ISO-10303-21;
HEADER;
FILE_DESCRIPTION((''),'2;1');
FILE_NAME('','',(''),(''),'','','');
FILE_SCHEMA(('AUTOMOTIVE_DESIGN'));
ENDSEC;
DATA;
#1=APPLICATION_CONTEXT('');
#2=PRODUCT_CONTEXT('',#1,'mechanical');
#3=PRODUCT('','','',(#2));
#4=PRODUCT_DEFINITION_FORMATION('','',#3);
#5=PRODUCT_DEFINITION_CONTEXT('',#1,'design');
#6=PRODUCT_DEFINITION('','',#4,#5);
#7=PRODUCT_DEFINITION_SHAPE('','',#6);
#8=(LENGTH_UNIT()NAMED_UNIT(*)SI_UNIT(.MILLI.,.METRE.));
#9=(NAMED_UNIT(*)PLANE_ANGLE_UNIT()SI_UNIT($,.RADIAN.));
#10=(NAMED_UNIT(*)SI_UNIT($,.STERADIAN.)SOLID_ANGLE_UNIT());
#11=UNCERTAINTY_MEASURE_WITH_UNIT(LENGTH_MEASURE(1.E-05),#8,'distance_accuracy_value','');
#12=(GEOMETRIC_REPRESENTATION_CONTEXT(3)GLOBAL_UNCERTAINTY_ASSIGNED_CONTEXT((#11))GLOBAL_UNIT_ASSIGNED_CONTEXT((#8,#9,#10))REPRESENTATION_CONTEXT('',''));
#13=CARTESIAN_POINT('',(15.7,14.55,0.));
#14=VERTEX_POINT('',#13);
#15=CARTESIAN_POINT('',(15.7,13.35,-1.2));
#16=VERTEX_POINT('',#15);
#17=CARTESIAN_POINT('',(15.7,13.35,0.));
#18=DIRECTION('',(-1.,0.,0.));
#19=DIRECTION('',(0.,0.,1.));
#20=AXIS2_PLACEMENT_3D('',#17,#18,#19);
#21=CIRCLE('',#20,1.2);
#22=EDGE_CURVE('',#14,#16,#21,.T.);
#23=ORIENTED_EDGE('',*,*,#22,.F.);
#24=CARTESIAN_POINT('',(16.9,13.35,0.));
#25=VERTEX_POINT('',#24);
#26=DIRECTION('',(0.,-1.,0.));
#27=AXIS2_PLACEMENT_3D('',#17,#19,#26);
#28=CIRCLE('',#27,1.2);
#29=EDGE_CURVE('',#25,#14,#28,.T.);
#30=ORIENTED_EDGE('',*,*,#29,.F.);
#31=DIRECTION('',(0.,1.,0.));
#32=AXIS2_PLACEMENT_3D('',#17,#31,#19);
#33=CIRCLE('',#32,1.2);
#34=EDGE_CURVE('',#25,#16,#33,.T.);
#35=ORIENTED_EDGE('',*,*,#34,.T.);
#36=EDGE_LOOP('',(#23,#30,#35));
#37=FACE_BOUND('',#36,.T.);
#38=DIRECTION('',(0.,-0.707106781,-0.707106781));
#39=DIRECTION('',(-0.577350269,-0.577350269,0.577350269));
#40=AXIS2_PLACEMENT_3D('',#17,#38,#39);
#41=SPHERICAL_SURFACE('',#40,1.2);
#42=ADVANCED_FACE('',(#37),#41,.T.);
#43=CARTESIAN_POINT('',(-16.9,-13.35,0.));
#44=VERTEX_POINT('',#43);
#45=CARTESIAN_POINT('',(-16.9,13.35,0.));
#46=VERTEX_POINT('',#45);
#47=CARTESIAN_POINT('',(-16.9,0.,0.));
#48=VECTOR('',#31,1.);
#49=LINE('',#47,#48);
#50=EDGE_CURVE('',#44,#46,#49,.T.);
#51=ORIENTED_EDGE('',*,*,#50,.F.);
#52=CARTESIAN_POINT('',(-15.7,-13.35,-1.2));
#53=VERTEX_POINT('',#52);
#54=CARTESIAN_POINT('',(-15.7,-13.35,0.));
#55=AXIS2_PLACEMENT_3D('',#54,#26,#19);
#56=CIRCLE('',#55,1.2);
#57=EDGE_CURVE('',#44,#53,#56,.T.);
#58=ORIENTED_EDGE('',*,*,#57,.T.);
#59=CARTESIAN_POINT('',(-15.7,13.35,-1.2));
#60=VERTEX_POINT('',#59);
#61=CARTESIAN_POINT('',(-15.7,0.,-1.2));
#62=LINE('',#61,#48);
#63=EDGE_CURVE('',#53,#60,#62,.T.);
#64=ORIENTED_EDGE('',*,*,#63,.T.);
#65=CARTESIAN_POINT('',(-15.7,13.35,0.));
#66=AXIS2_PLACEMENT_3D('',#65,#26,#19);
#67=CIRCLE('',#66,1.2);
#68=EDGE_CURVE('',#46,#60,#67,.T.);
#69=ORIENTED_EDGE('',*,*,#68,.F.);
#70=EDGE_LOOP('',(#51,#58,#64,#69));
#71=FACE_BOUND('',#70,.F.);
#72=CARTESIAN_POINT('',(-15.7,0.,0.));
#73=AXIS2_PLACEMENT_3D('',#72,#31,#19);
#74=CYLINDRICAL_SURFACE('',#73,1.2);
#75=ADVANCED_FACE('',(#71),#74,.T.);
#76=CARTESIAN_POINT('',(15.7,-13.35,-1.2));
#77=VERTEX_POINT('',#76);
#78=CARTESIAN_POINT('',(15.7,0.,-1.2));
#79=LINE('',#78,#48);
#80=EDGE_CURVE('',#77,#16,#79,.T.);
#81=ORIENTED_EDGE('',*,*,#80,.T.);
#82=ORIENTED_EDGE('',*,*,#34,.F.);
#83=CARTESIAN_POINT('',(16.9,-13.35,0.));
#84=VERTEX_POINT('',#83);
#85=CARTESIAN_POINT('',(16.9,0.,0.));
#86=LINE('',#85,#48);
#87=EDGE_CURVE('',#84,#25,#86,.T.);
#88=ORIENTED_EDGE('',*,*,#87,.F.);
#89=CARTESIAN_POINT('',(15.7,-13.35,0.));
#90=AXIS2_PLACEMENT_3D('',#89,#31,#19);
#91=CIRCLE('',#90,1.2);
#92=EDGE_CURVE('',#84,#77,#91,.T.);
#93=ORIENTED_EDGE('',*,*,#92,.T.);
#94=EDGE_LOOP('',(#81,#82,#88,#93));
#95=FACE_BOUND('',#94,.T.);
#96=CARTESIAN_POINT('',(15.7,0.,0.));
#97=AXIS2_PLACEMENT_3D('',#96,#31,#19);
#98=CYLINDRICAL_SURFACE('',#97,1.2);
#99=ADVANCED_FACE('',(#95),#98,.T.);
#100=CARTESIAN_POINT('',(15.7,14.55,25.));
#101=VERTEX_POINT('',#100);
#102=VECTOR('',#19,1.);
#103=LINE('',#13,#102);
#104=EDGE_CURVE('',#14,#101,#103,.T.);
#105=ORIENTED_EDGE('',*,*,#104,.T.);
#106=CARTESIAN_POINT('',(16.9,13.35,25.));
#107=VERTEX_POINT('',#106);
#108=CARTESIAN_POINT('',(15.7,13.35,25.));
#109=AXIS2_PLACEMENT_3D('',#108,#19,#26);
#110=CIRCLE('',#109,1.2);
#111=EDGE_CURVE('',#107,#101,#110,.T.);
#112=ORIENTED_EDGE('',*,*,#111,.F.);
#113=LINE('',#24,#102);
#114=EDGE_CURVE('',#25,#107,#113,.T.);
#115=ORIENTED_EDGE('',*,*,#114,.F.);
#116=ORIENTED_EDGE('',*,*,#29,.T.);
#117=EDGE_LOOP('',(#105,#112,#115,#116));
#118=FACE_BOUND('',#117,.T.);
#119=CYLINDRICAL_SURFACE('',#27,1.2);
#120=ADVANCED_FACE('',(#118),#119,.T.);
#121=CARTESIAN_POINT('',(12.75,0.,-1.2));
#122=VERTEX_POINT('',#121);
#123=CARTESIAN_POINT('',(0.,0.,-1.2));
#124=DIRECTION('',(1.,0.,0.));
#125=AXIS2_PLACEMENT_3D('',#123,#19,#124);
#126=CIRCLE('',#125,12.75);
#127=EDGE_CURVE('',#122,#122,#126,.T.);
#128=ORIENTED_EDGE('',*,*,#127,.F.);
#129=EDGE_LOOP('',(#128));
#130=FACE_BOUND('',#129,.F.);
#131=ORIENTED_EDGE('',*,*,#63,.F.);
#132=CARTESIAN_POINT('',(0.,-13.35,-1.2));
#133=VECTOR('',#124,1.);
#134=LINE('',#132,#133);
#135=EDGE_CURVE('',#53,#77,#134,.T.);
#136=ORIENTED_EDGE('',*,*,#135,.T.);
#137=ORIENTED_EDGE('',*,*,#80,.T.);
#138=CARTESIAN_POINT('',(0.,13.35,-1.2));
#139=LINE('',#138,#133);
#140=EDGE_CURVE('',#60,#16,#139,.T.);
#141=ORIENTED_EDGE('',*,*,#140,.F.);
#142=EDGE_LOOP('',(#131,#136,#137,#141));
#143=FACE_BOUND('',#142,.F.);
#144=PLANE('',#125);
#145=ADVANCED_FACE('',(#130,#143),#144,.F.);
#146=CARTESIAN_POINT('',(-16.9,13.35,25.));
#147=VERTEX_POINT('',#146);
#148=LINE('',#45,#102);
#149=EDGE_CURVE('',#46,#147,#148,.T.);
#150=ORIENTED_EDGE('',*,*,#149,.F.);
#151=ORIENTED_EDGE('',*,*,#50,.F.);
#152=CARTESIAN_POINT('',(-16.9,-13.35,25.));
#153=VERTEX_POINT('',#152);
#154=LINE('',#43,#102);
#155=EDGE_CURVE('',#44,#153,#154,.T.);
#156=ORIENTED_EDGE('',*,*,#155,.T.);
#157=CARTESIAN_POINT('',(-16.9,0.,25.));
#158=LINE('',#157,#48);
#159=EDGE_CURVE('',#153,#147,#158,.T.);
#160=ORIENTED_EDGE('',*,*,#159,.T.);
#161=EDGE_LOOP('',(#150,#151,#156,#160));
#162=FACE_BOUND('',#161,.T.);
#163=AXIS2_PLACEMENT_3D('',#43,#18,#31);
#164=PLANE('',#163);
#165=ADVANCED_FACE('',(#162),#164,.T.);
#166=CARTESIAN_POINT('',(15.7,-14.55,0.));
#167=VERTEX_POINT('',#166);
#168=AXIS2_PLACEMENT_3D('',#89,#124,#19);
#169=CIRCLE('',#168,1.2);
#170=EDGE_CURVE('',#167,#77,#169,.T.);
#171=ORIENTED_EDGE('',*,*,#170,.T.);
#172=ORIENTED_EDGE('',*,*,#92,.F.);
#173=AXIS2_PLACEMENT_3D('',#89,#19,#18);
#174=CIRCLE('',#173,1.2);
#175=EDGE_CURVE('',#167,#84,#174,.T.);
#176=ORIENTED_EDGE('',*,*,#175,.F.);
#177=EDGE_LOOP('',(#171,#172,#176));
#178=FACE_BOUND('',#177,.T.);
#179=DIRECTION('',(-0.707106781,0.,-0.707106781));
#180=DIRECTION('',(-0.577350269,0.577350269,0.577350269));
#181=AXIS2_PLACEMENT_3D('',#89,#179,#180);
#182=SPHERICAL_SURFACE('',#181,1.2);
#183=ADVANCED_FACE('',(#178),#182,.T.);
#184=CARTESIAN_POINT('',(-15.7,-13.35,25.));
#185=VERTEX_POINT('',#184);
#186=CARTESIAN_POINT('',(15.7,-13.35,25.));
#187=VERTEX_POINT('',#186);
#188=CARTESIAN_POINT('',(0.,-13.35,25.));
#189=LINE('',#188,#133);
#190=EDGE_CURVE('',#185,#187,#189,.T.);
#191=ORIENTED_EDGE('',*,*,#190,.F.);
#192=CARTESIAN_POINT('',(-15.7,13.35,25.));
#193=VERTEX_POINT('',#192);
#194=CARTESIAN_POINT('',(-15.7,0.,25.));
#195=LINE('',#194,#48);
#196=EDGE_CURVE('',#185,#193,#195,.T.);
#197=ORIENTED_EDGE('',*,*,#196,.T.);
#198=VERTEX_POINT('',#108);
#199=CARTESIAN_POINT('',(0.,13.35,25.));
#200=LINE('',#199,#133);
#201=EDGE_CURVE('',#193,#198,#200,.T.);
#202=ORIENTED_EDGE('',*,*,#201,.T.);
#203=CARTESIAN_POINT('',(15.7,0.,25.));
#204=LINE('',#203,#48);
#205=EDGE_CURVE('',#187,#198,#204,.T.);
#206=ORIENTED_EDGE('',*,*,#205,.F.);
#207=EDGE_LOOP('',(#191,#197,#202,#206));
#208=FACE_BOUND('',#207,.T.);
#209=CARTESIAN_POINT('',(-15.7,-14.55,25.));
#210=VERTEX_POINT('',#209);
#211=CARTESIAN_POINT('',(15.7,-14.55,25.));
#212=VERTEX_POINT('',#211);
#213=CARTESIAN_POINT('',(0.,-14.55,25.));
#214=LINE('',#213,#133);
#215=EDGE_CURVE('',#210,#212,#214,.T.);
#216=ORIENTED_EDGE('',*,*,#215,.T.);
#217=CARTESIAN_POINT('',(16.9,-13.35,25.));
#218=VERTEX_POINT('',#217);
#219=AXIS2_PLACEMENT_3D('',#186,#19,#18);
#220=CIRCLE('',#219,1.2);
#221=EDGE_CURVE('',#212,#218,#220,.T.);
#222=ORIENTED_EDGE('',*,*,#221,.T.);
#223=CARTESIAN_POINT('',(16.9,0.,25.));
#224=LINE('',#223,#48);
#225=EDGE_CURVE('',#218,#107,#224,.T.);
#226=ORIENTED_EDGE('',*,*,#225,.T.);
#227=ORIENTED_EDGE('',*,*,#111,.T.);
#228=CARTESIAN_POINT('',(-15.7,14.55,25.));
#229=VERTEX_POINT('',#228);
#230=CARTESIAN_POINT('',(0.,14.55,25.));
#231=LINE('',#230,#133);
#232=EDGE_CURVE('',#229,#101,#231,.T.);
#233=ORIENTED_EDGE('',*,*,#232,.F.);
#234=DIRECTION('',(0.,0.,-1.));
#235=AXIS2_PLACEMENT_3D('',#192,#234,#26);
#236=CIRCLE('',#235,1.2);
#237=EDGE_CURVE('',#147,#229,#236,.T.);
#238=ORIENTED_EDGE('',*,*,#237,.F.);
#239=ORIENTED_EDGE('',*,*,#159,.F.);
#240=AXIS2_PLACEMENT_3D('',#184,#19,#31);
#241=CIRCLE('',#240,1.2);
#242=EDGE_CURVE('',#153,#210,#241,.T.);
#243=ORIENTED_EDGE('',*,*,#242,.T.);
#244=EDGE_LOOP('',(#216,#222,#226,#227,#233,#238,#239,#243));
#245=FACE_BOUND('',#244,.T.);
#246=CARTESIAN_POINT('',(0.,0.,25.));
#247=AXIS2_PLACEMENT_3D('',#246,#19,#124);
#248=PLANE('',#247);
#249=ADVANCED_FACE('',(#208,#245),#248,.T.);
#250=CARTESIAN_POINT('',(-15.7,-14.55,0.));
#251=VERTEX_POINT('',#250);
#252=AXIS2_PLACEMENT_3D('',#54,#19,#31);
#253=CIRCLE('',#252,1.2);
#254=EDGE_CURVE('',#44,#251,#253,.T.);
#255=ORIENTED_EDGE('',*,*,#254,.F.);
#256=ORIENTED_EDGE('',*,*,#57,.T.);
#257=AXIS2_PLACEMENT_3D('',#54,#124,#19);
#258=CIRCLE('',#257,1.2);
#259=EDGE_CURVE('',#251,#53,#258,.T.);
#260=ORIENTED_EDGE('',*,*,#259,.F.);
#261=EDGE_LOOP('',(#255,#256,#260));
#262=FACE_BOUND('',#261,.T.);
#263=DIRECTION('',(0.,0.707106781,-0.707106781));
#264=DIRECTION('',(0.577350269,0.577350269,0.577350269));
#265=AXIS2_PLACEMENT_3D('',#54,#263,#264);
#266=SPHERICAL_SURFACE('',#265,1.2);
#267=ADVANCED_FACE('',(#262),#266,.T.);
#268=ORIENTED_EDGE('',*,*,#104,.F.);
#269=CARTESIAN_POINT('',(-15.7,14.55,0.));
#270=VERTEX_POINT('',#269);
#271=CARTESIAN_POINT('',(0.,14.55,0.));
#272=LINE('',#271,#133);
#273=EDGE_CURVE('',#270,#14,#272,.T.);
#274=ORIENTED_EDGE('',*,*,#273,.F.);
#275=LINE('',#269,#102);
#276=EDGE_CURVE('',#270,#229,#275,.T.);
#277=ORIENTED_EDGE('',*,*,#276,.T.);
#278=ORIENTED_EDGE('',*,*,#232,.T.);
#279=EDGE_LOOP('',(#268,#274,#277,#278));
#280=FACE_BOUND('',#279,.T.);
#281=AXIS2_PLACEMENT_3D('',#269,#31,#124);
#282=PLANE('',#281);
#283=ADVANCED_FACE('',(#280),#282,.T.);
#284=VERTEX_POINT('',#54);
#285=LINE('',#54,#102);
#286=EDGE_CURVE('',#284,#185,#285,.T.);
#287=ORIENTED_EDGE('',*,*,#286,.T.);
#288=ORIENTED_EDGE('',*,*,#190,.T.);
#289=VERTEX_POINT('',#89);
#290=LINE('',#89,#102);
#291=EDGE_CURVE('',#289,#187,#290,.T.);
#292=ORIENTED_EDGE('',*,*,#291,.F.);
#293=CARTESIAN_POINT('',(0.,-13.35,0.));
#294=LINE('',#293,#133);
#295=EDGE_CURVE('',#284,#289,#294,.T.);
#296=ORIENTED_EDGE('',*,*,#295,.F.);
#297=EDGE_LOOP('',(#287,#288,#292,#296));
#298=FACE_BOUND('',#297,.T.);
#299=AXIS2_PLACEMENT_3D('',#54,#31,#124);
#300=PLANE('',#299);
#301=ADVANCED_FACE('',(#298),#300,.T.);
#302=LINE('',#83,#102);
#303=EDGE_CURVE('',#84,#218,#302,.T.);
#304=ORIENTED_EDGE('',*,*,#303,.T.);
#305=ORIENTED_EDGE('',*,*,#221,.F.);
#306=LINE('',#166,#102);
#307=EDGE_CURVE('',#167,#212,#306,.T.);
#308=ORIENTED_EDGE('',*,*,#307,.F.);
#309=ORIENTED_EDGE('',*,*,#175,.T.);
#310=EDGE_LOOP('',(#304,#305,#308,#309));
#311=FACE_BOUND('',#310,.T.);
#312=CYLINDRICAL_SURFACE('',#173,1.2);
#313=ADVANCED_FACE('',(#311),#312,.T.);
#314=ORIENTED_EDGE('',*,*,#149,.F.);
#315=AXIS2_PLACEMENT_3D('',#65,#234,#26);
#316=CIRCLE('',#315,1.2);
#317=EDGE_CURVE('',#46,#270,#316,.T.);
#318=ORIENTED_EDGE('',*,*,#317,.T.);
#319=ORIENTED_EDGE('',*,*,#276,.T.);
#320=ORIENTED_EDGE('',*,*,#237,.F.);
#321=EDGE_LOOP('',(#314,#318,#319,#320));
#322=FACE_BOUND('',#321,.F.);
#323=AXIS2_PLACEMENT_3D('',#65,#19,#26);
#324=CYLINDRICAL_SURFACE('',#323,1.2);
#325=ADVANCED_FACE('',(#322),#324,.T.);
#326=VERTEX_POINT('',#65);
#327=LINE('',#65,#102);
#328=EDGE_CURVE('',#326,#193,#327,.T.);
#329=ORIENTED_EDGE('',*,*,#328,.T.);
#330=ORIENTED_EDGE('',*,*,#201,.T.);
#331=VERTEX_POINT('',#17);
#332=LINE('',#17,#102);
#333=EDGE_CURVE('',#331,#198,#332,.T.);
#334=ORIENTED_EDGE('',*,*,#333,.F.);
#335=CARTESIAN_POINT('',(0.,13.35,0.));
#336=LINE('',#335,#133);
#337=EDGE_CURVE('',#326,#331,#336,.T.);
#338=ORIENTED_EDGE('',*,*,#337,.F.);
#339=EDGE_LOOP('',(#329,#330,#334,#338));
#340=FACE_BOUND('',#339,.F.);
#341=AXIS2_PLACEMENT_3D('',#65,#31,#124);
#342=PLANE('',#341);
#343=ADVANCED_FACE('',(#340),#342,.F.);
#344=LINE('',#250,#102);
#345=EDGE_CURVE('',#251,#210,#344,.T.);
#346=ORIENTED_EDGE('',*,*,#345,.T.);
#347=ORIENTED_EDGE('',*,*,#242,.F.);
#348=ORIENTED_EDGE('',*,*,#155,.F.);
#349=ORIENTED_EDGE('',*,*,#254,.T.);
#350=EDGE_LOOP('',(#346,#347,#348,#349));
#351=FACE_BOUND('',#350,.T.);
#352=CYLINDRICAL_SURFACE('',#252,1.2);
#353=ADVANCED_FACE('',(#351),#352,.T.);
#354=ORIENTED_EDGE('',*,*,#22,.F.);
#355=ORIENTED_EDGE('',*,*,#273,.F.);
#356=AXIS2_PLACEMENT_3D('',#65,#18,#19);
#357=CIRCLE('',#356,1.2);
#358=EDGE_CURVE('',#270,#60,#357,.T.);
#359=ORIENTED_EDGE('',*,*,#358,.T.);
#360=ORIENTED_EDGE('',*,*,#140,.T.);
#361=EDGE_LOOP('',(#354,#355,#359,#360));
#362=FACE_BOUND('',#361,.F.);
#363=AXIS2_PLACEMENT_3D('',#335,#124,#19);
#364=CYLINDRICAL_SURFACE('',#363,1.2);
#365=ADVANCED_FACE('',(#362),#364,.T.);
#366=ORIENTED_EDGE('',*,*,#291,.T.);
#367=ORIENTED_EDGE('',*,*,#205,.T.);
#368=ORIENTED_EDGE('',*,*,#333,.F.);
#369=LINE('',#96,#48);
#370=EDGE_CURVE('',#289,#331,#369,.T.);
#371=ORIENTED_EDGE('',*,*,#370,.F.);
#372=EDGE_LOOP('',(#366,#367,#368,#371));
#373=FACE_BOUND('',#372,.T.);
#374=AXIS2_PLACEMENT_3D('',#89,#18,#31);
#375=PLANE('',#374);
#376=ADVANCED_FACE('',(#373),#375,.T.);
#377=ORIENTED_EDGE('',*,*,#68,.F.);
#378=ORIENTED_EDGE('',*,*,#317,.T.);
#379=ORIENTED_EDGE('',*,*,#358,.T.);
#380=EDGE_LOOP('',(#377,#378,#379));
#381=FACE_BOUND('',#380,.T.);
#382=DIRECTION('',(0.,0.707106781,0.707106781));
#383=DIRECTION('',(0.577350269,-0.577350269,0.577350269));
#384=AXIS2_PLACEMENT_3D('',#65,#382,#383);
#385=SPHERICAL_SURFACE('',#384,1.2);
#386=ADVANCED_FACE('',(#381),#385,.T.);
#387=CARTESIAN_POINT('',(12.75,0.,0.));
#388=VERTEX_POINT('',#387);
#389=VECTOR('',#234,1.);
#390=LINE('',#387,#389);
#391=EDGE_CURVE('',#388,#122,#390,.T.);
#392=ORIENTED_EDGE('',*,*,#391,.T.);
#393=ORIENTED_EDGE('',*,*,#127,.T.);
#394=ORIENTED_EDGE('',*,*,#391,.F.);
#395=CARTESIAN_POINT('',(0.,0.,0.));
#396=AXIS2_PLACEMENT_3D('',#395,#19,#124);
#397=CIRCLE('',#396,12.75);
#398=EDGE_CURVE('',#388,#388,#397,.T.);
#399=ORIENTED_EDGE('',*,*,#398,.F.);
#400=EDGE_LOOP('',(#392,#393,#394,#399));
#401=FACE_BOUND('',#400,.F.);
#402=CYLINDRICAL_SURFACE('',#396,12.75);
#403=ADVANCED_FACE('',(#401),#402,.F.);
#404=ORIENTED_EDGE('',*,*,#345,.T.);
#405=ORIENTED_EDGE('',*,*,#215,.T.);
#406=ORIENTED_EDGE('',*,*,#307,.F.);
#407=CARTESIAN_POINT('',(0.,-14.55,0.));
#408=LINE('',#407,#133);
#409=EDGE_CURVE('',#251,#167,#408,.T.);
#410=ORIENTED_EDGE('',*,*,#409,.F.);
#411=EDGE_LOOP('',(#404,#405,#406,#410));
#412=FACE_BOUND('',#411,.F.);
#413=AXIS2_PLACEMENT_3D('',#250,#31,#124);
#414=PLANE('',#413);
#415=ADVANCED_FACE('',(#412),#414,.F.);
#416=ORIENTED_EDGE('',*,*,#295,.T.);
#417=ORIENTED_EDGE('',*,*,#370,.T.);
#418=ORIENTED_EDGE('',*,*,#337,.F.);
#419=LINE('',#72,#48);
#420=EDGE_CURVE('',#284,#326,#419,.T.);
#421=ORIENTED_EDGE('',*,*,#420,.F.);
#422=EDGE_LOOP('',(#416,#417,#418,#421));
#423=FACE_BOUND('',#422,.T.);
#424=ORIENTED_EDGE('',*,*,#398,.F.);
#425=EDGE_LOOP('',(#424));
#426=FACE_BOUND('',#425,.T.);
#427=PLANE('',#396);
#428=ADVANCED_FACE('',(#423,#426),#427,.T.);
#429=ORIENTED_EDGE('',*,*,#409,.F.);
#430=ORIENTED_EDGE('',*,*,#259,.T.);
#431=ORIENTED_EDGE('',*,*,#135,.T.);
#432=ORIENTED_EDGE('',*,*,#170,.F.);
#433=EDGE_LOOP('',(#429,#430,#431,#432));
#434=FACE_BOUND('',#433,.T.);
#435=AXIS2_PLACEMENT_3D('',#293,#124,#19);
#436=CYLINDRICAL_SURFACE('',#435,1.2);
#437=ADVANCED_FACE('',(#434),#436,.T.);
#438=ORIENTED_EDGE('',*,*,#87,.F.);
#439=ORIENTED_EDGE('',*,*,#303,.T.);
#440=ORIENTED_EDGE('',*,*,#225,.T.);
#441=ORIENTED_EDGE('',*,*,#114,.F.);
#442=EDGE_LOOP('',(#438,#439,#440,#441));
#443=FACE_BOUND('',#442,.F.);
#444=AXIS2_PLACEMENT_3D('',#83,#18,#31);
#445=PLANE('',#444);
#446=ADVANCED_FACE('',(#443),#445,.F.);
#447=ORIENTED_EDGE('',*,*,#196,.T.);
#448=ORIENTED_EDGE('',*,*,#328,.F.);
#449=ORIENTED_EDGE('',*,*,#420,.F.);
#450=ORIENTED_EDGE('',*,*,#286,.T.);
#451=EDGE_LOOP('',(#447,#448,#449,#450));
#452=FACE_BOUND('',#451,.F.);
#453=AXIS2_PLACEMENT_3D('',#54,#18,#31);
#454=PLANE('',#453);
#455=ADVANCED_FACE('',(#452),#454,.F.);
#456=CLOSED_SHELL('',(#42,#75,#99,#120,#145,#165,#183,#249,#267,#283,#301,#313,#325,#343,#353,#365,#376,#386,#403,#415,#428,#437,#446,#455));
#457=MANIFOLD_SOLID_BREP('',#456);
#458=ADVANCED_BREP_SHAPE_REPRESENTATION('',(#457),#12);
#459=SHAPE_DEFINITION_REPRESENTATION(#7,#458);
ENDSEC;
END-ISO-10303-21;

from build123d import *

# Parameters (mm, degrees)
SKETCH_W    = 31.4
SKETCH_H    = 26.7
PAD_DEPTH   = 25
THICKNESS_T = 1.2
SKETCH001_R = 12.75
HOLE_DEPTH  = 25


with BuildPart() as part:
    # Sketch → Pad (new body)
    with BuildSketch(Plane.XY):
        Rectangle(SKETCH_W, SKETCH_H)
    extrude(amount=PAD_DEPTH)

    # Thickness
    thickness_openings = [part.faces().sort_by_distance(p)[0] for p in [
        (0, 0, 25),
    ]]
    offset(amount=THICKNESS_T, openings=thickness_openings)

    # Sketch001 (on Face5 of Thickness) → Hole (cut)
    with BuildSketch(Plane.XY):
        Circle(SKETCH001_R)
    extrude(amount=-HOLE_DEPTH, mode=Mode.SUBTRACT)


solid = part.part
